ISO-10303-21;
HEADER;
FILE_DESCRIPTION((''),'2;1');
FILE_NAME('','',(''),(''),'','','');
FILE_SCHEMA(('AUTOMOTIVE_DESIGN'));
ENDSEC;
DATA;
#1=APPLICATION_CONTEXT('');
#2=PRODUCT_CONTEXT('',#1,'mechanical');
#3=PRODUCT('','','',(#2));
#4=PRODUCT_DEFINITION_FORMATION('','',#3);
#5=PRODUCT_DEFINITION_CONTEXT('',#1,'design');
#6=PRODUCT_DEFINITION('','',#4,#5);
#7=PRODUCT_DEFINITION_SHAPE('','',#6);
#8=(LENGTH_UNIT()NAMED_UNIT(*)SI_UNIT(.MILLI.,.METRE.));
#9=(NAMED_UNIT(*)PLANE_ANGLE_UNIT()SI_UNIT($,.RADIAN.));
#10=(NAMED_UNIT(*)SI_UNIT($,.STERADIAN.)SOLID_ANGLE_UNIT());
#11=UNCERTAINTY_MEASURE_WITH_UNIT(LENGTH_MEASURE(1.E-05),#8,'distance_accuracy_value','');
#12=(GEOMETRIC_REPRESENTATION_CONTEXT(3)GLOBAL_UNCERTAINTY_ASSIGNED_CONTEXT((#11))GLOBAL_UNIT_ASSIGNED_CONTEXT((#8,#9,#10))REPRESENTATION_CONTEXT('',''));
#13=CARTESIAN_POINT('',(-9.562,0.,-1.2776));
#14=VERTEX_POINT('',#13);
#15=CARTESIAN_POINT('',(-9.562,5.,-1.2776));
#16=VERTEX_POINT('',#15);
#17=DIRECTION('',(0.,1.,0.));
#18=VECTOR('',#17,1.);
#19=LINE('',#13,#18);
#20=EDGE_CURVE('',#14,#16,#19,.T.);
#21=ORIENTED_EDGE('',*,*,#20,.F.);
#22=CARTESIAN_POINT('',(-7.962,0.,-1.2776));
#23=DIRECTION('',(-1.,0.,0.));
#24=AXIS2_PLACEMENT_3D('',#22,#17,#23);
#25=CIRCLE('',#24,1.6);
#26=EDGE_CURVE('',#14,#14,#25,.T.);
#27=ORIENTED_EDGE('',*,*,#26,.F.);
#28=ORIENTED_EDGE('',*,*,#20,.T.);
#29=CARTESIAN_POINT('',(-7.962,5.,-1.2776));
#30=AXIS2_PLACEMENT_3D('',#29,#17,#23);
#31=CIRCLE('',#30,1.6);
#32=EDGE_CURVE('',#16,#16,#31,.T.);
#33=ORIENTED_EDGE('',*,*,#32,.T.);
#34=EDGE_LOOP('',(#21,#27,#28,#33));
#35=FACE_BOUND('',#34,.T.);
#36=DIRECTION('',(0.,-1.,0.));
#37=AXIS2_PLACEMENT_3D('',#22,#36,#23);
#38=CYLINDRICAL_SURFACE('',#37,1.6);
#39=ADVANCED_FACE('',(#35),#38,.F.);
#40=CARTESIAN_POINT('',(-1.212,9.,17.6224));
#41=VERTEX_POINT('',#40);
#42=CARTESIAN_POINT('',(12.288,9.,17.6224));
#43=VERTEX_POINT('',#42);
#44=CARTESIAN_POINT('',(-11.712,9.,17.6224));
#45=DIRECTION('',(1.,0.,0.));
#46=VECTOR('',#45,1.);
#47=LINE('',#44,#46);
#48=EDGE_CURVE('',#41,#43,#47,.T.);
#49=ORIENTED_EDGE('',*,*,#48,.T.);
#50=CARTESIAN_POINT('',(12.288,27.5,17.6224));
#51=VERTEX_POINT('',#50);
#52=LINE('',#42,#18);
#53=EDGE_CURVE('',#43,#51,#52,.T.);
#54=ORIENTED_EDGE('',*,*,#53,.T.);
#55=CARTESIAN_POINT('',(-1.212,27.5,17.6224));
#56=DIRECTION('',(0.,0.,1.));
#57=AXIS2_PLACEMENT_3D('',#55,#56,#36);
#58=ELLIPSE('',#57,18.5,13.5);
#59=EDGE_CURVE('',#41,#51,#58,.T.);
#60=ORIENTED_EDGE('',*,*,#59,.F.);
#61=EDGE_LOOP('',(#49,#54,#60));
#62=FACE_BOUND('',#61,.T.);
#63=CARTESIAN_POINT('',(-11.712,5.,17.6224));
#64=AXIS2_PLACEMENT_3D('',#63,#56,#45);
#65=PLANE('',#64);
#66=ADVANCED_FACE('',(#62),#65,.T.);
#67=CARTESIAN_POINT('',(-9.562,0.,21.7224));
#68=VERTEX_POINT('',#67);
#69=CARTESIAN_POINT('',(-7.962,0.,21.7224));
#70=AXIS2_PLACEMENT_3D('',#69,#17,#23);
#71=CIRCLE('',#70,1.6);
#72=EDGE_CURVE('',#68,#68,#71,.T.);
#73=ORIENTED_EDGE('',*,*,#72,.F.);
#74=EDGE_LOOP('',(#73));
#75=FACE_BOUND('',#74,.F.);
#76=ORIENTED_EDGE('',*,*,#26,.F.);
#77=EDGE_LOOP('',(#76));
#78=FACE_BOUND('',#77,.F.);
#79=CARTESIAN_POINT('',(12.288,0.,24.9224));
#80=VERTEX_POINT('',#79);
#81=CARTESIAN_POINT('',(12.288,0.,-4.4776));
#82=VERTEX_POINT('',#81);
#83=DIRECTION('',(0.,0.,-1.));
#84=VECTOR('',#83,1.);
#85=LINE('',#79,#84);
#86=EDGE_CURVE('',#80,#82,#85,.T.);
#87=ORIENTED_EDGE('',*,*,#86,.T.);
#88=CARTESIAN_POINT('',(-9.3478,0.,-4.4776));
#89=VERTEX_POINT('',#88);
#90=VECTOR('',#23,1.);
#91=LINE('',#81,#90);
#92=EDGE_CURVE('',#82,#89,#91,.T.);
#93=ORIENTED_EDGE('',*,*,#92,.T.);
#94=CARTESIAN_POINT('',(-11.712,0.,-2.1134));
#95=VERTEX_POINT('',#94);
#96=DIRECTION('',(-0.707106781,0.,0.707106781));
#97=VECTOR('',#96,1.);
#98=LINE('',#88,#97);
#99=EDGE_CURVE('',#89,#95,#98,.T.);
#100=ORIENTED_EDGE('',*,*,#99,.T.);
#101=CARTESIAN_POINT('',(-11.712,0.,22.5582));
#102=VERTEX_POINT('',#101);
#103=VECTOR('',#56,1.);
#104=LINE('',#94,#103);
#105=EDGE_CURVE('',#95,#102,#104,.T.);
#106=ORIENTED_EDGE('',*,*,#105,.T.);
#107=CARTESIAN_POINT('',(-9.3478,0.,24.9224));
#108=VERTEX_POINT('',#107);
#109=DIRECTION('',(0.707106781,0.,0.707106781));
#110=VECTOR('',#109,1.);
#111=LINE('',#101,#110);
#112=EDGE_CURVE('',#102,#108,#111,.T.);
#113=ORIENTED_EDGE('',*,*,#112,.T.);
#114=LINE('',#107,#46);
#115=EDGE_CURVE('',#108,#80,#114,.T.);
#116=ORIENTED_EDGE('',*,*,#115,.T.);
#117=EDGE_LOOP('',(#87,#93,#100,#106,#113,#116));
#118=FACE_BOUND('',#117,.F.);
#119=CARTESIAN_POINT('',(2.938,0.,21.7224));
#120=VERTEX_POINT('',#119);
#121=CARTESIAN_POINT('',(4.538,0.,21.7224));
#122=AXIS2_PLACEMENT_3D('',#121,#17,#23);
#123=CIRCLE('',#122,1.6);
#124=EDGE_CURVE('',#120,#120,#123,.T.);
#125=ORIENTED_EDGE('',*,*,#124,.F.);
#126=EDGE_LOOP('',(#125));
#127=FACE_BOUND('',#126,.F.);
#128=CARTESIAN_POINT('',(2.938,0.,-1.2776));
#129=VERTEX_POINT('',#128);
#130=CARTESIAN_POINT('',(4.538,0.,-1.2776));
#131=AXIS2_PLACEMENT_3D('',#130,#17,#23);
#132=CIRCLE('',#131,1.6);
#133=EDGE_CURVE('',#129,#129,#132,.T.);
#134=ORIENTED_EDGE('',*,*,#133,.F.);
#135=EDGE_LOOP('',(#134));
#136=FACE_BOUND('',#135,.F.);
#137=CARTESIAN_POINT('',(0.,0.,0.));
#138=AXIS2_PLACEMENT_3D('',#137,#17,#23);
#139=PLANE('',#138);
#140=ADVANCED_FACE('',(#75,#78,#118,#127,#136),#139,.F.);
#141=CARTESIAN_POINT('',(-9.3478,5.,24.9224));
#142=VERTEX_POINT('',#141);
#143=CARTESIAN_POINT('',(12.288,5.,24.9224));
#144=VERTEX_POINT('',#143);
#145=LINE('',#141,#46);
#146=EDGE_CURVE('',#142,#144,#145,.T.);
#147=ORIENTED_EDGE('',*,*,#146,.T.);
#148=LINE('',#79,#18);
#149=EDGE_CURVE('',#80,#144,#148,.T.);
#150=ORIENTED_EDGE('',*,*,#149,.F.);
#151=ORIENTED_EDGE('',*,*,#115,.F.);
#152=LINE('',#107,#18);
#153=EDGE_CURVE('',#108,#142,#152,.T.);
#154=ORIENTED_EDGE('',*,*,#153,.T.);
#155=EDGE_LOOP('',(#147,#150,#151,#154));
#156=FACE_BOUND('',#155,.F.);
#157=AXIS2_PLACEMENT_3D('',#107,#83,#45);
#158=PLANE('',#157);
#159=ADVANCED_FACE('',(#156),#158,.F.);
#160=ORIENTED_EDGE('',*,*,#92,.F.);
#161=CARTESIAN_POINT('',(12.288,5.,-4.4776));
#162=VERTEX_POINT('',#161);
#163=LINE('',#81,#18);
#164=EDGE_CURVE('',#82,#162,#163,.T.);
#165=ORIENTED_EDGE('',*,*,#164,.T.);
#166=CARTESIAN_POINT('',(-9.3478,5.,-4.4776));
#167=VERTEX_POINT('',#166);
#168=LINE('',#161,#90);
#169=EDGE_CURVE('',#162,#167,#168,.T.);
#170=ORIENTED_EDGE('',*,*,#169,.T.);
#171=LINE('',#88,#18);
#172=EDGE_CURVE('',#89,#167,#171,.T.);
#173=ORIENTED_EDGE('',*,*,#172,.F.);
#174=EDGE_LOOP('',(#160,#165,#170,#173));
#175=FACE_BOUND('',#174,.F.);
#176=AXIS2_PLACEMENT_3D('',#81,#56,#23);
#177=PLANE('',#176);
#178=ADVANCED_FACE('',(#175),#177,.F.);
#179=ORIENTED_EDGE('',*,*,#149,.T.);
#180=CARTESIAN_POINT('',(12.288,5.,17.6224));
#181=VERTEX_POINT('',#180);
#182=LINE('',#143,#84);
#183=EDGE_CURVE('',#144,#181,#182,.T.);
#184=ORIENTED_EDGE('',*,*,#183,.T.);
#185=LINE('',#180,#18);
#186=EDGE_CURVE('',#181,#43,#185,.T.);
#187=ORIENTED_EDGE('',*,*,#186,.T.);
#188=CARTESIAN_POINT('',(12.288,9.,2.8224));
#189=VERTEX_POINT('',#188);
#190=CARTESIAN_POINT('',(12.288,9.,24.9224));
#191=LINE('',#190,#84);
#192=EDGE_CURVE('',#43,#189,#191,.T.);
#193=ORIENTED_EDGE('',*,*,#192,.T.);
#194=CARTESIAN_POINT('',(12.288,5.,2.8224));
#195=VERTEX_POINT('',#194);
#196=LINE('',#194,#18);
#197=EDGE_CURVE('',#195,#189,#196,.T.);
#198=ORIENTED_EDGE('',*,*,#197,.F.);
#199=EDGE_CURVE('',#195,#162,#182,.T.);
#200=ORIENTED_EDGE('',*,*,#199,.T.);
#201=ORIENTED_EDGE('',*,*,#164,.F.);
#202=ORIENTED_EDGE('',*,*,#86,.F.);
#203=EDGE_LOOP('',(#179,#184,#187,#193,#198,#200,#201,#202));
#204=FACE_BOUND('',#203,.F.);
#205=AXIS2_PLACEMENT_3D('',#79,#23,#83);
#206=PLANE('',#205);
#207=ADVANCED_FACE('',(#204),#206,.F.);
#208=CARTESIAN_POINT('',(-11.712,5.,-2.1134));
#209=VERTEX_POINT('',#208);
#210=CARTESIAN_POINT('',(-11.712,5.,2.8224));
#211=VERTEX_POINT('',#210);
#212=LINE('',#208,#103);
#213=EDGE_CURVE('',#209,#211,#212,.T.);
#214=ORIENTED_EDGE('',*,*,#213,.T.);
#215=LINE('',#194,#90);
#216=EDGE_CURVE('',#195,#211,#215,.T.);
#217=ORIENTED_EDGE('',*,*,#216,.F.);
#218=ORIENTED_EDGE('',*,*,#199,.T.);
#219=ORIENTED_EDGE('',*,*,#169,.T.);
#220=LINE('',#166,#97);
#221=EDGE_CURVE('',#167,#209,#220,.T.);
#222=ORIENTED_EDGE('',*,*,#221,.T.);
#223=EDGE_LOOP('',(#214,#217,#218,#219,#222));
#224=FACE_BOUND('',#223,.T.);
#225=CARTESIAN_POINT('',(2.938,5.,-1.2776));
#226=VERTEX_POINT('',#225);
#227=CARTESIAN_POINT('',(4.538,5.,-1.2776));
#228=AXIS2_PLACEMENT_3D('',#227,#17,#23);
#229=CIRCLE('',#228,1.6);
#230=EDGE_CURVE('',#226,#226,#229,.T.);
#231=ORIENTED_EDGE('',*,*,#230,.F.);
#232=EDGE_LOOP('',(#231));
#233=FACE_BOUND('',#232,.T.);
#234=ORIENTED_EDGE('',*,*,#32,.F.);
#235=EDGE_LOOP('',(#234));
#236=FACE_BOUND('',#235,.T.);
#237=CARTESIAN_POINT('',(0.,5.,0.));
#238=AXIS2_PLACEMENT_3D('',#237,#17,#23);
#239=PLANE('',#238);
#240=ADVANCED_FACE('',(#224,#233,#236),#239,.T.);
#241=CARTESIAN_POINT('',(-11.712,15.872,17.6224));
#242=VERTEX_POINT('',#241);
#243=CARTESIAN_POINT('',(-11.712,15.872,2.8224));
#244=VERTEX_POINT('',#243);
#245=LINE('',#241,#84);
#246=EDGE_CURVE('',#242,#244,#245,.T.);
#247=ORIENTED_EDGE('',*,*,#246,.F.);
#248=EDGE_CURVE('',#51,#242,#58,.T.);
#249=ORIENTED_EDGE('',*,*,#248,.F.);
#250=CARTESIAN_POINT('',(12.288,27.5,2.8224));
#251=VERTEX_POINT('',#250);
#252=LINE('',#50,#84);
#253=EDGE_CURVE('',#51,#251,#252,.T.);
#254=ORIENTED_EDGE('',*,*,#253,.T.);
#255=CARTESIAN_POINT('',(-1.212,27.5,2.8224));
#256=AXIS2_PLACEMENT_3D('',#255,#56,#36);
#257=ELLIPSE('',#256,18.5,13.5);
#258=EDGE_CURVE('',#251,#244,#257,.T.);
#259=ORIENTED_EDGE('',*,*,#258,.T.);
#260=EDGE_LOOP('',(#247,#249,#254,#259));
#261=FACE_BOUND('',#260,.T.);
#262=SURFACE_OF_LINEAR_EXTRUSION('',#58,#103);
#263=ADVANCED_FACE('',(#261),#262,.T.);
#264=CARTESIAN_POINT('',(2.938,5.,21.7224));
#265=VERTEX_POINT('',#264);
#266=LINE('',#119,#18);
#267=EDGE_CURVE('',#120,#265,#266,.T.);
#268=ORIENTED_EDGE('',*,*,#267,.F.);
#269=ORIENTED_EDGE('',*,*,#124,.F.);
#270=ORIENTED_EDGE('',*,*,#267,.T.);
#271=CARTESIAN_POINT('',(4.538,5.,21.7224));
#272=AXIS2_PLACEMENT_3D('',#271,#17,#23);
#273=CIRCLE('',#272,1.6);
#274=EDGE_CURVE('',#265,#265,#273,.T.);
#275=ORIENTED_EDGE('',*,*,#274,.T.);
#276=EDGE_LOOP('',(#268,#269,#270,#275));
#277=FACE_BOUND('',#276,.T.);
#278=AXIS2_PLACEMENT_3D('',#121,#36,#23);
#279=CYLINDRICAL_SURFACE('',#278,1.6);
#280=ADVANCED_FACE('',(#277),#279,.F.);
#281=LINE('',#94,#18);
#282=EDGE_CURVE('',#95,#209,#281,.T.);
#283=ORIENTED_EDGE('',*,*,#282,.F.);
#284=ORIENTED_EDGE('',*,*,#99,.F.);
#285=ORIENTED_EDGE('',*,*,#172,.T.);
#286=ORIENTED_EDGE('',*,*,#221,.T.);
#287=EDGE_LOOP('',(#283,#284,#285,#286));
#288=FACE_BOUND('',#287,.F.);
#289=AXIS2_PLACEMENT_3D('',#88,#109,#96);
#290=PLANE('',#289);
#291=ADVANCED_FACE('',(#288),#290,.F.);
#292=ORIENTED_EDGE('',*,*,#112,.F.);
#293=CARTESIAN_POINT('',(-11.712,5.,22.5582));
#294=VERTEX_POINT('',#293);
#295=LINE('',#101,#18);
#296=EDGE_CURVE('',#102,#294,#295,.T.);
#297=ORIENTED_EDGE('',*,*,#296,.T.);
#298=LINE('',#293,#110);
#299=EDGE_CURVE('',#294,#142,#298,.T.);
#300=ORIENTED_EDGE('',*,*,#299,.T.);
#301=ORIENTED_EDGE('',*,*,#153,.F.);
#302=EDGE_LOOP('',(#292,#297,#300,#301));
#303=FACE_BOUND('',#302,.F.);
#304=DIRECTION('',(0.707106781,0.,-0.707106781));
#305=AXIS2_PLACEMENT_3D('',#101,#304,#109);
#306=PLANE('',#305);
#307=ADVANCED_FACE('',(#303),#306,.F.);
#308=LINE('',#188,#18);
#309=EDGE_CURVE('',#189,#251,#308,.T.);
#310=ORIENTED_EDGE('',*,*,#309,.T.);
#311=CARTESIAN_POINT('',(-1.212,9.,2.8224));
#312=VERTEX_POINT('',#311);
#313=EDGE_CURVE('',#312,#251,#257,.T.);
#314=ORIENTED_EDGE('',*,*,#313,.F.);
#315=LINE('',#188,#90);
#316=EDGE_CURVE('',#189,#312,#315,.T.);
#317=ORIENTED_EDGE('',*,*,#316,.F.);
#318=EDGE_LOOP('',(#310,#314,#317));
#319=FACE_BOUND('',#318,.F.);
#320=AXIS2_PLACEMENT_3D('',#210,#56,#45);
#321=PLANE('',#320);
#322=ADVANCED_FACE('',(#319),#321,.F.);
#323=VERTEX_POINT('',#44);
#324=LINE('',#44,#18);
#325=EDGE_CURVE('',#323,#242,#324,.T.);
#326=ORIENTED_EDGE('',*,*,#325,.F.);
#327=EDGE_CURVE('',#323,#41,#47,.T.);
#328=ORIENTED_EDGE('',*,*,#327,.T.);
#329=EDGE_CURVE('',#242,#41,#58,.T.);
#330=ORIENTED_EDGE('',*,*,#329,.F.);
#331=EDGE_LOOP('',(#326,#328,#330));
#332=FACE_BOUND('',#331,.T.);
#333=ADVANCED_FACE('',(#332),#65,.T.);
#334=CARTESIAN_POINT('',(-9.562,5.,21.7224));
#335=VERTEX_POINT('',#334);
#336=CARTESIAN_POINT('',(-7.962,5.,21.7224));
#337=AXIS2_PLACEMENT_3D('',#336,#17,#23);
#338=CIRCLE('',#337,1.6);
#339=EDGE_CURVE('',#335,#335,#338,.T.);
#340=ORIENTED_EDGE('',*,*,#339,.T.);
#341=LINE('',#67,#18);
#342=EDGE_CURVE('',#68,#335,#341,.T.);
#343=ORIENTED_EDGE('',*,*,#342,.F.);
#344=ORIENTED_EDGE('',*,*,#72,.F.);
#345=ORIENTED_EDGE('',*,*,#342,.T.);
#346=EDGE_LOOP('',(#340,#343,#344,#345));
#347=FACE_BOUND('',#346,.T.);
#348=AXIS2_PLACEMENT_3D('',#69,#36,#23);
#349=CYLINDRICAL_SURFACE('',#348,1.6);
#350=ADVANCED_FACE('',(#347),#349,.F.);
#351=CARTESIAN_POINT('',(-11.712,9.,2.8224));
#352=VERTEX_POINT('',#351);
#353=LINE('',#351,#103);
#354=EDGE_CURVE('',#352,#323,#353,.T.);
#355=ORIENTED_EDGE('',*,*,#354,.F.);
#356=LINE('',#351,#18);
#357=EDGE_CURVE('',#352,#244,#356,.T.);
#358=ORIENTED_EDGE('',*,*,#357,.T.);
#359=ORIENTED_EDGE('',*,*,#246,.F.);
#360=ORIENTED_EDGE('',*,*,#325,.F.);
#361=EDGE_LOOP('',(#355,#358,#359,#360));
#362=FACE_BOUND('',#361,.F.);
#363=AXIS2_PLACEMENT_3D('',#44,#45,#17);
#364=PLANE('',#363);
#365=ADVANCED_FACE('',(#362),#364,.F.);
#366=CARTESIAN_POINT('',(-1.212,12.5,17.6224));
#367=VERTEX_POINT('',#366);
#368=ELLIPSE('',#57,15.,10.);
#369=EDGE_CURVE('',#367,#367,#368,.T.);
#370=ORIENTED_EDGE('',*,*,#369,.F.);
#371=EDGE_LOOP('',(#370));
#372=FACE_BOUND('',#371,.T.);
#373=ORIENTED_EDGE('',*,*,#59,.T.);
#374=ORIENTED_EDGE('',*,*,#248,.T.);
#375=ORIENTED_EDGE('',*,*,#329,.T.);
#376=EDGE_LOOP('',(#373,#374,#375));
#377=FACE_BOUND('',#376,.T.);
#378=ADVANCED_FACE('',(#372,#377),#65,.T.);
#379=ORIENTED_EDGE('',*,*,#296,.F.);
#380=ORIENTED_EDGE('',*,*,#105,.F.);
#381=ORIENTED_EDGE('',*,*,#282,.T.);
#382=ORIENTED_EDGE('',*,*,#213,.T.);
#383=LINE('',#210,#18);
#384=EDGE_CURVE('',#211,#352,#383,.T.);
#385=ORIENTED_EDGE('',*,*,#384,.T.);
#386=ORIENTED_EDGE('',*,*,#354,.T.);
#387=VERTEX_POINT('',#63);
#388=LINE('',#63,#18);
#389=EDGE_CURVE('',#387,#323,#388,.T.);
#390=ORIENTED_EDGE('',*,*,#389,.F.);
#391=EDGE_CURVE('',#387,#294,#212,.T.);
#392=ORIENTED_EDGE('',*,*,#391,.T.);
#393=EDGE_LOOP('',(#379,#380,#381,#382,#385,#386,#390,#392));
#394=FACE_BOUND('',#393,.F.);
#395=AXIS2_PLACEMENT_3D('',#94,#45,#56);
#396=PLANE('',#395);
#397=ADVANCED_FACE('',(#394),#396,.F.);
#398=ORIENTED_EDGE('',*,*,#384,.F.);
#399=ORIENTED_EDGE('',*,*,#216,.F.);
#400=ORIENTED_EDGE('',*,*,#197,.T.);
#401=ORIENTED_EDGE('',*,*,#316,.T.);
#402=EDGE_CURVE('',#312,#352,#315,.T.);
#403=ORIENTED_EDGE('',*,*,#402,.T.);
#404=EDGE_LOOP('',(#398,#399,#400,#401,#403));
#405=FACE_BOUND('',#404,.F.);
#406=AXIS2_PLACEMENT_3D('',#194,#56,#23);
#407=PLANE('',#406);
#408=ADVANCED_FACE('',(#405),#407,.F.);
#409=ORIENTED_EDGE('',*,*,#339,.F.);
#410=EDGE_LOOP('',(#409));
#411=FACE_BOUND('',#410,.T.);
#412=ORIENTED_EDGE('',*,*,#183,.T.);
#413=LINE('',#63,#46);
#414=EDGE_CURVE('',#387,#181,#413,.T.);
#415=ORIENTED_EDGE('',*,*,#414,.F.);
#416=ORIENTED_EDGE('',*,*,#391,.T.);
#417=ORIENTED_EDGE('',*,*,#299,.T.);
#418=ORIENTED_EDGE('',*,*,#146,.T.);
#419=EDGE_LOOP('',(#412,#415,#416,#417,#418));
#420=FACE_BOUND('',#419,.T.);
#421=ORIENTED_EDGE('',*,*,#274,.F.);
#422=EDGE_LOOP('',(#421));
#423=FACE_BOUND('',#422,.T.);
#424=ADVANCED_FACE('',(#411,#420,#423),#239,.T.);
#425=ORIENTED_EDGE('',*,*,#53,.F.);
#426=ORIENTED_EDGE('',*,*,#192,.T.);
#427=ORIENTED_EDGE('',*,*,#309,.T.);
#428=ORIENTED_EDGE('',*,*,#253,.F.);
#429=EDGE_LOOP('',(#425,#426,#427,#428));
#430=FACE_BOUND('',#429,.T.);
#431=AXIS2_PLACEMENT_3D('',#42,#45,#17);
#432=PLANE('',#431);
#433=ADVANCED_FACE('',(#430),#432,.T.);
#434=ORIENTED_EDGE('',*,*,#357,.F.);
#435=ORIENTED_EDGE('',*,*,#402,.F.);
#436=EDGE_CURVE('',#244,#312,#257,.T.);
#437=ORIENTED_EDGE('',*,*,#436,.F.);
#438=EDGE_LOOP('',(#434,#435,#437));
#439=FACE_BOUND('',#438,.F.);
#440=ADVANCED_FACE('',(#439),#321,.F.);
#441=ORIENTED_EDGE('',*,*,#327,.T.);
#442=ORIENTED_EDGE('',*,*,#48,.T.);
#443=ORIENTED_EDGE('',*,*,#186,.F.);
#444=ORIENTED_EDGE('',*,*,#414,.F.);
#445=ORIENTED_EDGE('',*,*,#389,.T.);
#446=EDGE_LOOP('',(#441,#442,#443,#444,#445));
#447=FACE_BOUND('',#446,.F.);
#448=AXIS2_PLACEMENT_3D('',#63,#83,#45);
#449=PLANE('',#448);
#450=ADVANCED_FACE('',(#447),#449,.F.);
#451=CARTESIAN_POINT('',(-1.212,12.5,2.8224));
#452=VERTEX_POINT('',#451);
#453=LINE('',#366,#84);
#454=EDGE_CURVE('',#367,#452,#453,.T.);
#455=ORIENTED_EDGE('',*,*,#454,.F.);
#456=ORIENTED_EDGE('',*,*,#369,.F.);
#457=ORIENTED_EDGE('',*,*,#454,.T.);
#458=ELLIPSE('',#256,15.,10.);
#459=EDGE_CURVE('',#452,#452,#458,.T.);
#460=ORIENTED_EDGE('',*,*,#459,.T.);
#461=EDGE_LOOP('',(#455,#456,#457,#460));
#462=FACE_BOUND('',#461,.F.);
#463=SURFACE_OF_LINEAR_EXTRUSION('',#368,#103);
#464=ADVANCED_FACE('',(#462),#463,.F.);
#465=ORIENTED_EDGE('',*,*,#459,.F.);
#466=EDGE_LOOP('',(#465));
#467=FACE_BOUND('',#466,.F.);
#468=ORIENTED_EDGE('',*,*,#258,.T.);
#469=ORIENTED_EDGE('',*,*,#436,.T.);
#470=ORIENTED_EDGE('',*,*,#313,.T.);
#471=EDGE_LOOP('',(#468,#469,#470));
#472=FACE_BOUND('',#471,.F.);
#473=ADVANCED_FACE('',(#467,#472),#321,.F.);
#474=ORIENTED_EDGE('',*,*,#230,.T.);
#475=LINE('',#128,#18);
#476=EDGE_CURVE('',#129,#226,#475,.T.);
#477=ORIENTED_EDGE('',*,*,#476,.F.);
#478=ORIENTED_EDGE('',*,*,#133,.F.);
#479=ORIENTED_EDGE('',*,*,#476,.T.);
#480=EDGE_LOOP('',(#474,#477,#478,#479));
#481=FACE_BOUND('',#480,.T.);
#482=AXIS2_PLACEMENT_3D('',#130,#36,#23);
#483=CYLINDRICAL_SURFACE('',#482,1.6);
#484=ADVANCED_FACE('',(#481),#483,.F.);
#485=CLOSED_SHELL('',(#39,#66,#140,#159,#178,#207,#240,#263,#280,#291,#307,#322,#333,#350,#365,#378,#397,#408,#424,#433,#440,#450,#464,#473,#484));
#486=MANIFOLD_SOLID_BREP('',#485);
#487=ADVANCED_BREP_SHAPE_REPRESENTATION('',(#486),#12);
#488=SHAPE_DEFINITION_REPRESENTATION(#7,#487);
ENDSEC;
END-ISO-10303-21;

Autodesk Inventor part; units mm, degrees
ref_plane "YZ Plane" through (0, 0, 0) normal (1, 0, 0) x (0, 1, 0)
ref_plane "XZ Plane" through (0, 0, 0) normal (0, 1, 0) x (-1, 0, 0)
ref_plane "XY Plane" through (0, 0, 0) normal (0, 0, 1) x (1, 0, 0)
sketch "Sketch1" plane through (0, 0, 0) normal (0, 1, 0) x (-1, 0, 0)
  circle A0 centre (7.962, -1.2776) radius 1.6
  circle A1 centre (-4.538, -1.2776) radius 1.6
  circle A2 centre (-4.538, 21.7224) radius 1.6
  circle A3 centre (7.962, 21.7224) radius 1.6
  line L0 (11.712, -2.1134) -> (11.712, 22.5582)
  line L1 (9.3478, -4.4776) -> (11.712, -2.1134)
  line L2 (-12.288, -4.4776) -> (9.3478, -4.4776)
  line L3 (-12.288, 24.9224) -> (-12.288, -4.4776)
  line L4 (9.3478, 24.9224) -> (-12.288, 24.9224)
  line L5 (11.712, 22.5582) -> (9.3478, 24.9224)
  point P0 (0, 0)
  dimension "d0" = 3.75
  dimension "d1" = 3.2
  dimension "d2" = 3.2
  dimension "d3" = 7.75
  dimension "d4" = 7.75
  dimension "d5" = 3.2
  dimension "d6" = 3.2
  dimension "d7" = 3.75
  dimension "d8" = 3.2
  dimension "d9" = 3.2
  dimension "d10" = 3.2
  dimension "d11" = 3.2
extrude "Extrusion1" add sketch "Sketch1" along normal blind 5
sketch "Sketch2" plane through (0, 5, 0) normal (0, 1, 0) x (1, 0, 0)
  line L0 (12.288, -24.9224) -> (12.288, 4.4776) projected
  line L1 (-11.712, -17.6224) -> (12.288, -17.6224)
  line L2 (12.288, -17.6224) -> (12.288, -2.8224)
  line L3 (12.288, -2.8224) -> (-11.712, -2.8224)
  line L4 (-11.712, -2.8224) -> (-11.712, -17.6224)
  circle A0 centre (-7.962, -21.7224) radius 1.6 projected
  circle A1 centre (-7.962, 1.2776) radius 1.6 projected
  line L5 (-11.712, 2.1134) -> (-11.712, -22.5582) projected
  point P0 (0, 0)
  point P1 (-11.712, -10.2224)
  dimension "d14" = 2.5
  dimension "d15" = 2.5
  dimension "d16" = 0
extrude "Extrusion2" add sketch "Sketch2" along normal blind 4 contours L1 L4 L3 L0
sketch "Sketch3" plane through (-11.712, 5, 17.6224) normal (0, 0, 1) x (1, 0, 0)
  ellipse E0 centre (10.5, 22.5) end of major axis (10.5, 7.5) minor radius 10
  ellipse E1 centre (10.5, 22.5) end of major axis (10.5, 4) minor radius 13.5
  line L0 (0, 4) -> (24, 4) projected
  line L1 (24, 4) -> (24, 22.5)
  line L2 (24, 4) -> (10.5, 4)
  line L3 (0, 4) -> (0, 10.872)
  point P0 (11.712, -5)
  dimension "d21" = 13.5
  dimension "d22" = 18.5
  dimension "d19" = 10
  dimension "d20" = 15
  dimension "d23" = 18.5
extrude "Extrusion3" add sketch "Sketch3" against normal blind 14.8
properties part number "finger_hole_l"
